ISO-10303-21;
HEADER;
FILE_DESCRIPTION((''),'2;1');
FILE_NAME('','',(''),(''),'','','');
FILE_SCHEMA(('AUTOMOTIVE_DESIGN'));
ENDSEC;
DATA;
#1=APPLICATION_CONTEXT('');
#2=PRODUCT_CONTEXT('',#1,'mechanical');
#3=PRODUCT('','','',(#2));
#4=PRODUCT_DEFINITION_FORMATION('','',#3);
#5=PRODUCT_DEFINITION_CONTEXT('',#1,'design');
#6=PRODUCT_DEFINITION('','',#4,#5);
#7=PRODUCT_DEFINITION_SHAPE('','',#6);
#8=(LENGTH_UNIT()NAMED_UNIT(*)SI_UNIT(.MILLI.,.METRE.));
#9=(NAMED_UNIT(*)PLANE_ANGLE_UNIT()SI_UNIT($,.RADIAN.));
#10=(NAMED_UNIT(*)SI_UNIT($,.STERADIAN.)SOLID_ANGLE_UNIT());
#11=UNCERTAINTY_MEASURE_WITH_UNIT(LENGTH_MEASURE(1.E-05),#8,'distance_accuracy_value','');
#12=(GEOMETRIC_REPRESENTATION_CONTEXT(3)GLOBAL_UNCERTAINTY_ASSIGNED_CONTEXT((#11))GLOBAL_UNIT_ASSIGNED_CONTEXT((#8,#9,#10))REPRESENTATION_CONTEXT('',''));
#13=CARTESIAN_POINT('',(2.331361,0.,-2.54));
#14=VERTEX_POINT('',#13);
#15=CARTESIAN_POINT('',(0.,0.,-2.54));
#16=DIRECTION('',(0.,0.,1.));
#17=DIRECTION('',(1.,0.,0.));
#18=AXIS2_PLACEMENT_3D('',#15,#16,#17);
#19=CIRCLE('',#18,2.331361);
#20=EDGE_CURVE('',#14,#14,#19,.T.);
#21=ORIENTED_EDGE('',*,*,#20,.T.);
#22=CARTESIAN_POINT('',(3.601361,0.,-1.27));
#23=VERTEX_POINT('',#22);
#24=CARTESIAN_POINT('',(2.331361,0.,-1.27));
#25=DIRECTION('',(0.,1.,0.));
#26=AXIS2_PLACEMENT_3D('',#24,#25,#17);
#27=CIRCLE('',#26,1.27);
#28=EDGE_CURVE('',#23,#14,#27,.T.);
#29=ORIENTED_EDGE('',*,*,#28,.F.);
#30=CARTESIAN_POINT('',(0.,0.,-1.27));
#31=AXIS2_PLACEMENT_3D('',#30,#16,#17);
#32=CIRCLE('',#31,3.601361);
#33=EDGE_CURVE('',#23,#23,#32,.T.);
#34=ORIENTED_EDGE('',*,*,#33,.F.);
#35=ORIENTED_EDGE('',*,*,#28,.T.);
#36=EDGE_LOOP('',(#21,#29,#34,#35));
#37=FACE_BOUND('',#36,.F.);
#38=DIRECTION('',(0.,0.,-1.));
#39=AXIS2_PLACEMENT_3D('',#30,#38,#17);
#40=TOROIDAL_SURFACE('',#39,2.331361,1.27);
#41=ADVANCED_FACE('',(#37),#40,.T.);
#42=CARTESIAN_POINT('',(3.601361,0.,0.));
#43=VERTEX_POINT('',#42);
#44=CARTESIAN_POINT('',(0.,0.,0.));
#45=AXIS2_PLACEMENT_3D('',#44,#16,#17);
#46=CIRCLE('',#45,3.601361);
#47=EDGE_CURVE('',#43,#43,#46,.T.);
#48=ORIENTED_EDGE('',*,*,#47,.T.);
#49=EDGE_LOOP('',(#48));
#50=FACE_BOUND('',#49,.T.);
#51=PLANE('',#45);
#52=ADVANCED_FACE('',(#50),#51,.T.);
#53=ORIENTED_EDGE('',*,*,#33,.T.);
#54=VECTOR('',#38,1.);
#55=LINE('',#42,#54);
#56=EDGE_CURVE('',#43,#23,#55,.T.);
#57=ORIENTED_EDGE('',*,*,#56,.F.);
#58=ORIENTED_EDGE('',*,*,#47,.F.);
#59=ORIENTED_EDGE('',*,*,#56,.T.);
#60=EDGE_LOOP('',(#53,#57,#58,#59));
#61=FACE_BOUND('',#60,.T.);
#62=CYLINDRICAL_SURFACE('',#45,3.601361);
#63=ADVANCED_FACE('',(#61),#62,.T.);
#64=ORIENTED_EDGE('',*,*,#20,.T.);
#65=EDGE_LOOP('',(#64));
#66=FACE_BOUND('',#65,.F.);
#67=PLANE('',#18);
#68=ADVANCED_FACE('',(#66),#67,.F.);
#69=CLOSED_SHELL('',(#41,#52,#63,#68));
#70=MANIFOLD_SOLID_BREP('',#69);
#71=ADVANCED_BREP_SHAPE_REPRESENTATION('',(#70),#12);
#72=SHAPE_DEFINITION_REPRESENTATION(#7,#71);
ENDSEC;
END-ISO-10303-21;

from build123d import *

# Parameters (mm, degrees)
F0_R     = 3.601361
F1_DEPTH = 2.54
F2_R     = 1.27


with BuildPart() as f1:
    # F0 (on Top) → F1 (new body)
    with BuildSketch(Plane.XY):
        Circle(F0_R)
    extrude(amount=-F1_DEPTH)

    # F2
    f2_edges = [f1.edges().sort_by_distance(p)[0] for p in [
        (-3.601361, 0, -2.54),
    ]]
    fillet(f2_edges, radius=F2_R)


solid = f1.part
